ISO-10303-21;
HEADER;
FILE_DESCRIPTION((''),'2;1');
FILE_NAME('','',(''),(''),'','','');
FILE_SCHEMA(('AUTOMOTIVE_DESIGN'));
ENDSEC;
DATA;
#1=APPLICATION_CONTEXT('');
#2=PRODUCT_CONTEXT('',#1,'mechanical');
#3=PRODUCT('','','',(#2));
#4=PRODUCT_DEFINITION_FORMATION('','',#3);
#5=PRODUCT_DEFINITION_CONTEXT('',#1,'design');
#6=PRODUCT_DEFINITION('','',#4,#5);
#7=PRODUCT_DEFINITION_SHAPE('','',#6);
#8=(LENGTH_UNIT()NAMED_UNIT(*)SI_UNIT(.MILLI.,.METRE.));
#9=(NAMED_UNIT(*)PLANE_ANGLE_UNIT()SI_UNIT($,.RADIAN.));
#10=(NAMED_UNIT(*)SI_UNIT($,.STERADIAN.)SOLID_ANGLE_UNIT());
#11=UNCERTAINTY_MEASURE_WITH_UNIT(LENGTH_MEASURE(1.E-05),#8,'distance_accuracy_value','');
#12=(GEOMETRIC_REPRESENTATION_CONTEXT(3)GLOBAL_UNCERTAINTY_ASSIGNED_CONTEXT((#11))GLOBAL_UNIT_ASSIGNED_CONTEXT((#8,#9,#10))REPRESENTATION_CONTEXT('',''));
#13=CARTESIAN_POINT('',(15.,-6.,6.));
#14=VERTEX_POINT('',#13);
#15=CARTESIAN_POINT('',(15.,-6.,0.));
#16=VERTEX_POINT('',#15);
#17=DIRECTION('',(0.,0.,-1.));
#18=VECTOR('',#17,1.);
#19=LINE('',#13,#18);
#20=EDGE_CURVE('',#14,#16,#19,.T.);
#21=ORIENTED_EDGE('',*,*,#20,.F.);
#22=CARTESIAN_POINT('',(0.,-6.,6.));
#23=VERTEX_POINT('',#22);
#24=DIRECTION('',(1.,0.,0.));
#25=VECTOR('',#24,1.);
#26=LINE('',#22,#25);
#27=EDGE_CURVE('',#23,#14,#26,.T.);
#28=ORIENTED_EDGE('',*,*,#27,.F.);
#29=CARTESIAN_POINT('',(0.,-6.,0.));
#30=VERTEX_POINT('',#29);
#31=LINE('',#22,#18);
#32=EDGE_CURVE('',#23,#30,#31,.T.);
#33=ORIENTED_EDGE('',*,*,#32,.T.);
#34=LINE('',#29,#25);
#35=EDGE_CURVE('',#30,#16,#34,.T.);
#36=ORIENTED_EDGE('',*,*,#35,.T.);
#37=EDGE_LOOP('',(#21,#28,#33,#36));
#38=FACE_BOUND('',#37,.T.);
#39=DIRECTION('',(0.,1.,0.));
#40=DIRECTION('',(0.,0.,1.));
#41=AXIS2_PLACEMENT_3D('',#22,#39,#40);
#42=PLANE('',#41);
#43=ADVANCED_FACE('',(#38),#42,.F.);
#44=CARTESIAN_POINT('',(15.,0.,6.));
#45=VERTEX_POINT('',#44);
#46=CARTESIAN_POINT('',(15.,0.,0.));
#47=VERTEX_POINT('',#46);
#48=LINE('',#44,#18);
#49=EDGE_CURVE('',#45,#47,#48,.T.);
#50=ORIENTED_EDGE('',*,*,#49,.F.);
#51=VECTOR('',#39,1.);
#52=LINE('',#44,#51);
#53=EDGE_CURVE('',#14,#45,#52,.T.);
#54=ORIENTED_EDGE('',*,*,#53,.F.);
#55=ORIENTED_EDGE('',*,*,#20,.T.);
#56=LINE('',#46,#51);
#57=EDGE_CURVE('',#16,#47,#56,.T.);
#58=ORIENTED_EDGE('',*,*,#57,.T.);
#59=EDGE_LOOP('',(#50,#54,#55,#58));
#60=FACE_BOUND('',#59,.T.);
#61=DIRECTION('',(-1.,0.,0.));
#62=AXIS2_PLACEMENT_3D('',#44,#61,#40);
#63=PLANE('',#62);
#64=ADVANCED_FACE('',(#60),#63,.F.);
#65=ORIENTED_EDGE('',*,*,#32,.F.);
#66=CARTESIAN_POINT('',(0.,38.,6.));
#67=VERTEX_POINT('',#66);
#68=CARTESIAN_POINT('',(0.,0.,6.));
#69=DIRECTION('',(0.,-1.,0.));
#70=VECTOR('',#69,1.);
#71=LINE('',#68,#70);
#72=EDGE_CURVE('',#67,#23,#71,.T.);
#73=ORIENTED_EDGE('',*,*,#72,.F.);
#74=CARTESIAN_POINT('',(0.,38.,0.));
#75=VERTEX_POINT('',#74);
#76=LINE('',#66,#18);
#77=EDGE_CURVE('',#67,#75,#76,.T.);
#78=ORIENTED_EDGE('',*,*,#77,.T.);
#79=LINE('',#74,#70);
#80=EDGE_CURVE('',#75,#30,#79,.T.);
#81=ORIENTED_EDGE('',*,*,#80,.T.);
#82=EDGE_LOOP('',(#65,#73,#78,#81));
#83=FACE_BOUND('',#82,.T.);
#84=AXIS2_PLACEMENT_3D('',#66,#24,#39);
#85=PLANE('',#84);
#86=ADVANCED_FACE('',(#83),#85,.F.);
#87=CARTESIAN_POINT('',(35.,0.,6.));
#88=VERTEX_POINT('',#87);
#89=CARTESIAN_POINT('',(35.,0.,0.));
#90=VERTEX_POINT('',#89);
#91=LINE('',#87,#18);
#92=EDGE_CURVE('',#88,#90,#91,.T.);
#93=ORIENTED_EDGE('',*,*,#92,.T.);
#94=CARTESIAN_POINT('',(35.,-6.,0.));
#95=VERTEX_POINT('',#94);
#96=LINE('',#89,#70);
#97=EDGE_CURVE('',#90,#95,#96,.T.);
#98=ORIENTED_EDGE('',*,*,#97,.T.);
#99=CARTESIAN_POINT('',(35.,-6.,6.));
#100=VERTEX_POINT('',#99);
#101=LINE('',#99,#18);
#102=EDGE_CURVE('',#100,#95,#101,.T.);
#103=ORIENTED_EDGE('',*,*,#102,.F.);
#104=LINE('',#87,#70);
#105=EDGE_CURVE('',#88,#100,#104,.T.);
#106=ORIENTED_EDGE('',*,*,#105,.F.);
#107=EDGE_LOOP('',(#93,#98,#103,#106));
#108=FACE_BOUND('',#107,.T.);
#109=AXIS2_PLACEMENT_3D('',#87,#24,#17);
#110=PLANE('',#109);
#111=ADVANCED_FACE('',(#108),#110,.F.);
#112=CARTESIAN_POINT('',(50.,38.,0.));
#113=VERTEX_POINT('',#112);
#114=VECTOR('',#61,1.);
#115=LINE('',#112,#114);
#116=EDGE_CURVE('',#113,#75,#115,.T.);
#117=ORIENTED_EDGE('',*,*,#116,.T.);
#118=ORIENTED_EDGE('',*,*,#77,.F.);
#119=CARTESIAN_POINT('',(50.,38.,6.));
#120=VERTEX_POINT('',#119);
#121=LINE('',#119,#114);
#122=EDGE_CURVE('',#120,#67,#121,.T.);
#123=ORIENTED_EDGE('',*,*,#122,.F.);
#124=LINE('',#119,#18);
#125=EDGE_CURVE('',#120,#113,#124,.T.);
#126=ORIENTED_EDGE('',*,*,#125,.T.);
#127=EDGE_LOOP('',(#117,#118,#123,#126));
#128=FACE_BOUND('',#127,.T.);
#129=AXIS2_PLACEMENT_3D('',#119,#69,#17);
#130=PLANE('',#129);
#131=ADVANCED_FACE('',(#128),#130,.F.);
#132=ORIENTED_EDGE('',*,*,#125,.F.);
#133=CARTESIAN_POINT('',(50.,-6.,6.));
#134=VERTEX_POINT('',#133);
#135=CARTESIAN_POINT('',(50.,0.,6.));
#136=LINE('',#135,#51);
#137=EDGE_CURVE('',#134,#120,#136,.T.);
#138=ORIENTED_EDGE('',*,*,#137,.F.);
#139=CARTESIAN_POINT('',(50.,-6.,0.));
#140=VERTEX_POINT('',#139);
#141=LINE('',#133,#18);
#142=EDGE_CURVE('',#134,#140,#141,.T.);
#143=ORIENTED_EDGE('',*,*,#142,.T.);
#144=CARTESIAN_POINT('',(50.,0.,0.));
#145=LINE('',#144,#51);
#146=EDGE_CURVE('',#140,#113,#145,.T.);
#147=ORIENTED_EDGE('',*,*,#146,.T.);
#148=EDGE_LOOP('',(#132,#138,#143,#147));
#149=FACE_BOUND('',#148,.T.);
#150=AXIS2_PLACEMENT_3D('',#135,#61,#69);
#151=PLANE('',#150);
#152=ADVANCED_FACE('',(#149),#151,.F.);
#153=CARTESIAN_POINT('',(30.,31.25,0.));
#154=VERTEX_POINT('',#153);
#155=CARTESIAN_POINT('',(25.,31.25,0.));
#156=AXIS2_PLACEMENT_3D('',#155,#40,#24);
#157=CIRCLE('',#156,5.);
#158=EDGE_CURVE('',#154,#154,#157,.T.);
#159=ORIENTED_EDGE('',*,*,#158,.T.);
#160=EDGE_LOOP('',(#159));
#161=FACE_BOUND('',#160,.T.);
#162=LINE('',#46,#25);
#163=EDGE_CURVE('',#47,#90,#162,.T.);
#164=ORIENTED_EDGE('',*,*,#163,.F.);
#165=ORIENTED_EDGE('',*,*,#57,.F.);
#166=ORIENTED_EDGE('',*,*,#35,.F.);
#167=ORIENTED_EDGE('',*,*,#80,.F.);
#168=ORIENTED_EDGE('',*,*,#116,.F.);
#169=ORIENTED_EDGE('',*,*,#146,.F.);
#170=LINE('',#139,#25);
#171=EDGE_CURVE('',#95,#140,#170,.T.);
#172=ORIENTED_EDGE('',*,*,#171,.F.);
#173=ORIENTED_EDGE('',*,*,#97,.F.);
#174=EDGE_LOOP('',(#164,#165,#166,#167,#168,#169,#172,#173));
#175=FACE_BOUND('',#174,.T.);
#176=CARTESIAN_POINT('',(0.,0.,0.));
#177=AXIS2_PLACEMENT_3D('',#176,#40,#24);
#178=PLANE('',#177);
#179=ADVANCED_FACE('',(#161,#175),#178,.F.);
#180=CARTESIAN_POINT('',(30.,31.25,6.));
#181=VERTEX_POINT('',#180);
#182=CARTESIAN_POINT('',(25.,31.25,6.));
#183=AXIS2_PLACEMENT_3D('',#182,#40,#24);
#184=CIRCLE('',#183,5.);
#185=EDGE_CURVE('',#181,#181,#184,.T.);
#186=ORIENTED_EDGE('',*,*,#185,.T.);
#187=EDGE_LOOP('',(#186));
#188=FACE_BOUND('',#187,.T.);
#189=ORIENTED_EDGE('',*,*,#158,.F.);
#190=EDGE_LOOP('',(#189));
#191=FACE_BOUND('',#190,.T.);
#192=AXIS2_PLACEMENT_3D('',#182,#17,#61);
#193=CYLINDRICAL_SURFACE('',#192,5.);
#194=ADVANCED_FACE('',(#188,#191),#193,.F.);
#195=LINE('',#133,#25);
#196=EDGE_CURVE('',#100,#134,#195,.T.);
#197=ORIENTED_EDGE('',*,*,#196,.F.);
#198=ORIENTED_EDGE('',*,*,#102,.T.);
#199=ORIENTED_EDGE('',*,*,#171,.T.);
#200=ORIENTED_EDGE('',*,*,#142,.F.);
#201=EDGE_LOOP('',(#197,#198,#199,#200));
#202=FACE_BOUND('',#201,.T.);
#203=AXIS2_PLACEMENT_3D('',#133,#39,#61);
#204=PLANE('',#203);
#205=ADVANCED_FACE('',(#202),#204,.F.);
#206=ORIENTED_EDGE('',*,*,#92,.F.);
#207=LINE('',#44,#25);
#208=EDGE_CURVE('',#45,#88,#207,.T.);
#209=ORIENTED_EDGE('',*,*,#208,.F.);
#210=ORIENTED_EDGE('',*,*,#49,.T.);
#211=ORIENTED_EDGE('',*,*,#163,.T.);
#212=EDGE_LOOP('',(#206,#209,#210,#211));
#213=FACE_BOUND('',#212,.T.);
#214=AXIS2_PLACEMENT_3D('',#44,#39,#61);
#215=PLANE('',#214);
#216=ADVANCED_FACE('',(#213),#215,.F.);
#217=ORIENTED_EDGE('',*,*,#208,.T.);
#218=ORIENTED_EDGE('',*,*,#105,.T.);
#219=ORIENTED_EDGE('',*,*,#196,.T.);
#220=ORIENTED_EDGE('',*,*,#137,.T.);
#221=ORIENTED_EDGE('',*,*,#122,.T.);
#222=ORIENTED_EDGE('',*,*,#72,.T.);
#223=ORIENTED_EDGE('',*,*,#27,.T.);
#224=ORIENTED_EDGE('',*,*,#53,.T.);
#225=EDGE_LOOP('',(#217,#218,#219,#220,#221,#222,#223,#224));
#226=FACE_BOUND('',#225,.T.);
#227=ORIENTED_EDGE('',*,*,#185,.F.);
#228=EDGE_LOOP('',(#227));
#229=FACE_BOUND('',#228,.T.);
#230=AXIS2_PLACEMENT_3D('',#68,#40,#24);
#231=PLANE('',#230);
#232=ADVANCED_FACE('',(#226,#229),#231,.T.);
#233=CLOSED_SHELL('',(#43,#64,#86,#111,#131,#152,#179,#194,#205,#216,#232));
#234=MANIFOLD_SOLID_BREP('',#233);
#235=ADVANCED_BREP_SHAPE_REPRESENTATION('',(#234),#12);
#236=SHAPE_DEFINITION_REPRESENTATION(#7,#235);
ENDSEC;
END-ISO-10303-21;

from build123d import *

# Parameters (mm, degrees)
ESQUISSE1_R        = 5
BOSS_EXTRU_1_DEPTH = 6


with BuildPart() as part:
    # Esquisse1 → Boss.-Extru.1 (new body)
    with BuildSketch(Plane.XY):
        Polygon((15, 0), (35, 0), (35, -6), (50, -6), (50, 0), (50, 38), (0, 38), (0, 0), (0, -6), (15, -6), align=None)
        with Locations((25, 31.25)):
            Circle(ESQUISSE1_R, mode=Mode.SUBTRACT)
    extrude(amount=BOSS_EXTRU_1_DEPTH)


solid = part.part
